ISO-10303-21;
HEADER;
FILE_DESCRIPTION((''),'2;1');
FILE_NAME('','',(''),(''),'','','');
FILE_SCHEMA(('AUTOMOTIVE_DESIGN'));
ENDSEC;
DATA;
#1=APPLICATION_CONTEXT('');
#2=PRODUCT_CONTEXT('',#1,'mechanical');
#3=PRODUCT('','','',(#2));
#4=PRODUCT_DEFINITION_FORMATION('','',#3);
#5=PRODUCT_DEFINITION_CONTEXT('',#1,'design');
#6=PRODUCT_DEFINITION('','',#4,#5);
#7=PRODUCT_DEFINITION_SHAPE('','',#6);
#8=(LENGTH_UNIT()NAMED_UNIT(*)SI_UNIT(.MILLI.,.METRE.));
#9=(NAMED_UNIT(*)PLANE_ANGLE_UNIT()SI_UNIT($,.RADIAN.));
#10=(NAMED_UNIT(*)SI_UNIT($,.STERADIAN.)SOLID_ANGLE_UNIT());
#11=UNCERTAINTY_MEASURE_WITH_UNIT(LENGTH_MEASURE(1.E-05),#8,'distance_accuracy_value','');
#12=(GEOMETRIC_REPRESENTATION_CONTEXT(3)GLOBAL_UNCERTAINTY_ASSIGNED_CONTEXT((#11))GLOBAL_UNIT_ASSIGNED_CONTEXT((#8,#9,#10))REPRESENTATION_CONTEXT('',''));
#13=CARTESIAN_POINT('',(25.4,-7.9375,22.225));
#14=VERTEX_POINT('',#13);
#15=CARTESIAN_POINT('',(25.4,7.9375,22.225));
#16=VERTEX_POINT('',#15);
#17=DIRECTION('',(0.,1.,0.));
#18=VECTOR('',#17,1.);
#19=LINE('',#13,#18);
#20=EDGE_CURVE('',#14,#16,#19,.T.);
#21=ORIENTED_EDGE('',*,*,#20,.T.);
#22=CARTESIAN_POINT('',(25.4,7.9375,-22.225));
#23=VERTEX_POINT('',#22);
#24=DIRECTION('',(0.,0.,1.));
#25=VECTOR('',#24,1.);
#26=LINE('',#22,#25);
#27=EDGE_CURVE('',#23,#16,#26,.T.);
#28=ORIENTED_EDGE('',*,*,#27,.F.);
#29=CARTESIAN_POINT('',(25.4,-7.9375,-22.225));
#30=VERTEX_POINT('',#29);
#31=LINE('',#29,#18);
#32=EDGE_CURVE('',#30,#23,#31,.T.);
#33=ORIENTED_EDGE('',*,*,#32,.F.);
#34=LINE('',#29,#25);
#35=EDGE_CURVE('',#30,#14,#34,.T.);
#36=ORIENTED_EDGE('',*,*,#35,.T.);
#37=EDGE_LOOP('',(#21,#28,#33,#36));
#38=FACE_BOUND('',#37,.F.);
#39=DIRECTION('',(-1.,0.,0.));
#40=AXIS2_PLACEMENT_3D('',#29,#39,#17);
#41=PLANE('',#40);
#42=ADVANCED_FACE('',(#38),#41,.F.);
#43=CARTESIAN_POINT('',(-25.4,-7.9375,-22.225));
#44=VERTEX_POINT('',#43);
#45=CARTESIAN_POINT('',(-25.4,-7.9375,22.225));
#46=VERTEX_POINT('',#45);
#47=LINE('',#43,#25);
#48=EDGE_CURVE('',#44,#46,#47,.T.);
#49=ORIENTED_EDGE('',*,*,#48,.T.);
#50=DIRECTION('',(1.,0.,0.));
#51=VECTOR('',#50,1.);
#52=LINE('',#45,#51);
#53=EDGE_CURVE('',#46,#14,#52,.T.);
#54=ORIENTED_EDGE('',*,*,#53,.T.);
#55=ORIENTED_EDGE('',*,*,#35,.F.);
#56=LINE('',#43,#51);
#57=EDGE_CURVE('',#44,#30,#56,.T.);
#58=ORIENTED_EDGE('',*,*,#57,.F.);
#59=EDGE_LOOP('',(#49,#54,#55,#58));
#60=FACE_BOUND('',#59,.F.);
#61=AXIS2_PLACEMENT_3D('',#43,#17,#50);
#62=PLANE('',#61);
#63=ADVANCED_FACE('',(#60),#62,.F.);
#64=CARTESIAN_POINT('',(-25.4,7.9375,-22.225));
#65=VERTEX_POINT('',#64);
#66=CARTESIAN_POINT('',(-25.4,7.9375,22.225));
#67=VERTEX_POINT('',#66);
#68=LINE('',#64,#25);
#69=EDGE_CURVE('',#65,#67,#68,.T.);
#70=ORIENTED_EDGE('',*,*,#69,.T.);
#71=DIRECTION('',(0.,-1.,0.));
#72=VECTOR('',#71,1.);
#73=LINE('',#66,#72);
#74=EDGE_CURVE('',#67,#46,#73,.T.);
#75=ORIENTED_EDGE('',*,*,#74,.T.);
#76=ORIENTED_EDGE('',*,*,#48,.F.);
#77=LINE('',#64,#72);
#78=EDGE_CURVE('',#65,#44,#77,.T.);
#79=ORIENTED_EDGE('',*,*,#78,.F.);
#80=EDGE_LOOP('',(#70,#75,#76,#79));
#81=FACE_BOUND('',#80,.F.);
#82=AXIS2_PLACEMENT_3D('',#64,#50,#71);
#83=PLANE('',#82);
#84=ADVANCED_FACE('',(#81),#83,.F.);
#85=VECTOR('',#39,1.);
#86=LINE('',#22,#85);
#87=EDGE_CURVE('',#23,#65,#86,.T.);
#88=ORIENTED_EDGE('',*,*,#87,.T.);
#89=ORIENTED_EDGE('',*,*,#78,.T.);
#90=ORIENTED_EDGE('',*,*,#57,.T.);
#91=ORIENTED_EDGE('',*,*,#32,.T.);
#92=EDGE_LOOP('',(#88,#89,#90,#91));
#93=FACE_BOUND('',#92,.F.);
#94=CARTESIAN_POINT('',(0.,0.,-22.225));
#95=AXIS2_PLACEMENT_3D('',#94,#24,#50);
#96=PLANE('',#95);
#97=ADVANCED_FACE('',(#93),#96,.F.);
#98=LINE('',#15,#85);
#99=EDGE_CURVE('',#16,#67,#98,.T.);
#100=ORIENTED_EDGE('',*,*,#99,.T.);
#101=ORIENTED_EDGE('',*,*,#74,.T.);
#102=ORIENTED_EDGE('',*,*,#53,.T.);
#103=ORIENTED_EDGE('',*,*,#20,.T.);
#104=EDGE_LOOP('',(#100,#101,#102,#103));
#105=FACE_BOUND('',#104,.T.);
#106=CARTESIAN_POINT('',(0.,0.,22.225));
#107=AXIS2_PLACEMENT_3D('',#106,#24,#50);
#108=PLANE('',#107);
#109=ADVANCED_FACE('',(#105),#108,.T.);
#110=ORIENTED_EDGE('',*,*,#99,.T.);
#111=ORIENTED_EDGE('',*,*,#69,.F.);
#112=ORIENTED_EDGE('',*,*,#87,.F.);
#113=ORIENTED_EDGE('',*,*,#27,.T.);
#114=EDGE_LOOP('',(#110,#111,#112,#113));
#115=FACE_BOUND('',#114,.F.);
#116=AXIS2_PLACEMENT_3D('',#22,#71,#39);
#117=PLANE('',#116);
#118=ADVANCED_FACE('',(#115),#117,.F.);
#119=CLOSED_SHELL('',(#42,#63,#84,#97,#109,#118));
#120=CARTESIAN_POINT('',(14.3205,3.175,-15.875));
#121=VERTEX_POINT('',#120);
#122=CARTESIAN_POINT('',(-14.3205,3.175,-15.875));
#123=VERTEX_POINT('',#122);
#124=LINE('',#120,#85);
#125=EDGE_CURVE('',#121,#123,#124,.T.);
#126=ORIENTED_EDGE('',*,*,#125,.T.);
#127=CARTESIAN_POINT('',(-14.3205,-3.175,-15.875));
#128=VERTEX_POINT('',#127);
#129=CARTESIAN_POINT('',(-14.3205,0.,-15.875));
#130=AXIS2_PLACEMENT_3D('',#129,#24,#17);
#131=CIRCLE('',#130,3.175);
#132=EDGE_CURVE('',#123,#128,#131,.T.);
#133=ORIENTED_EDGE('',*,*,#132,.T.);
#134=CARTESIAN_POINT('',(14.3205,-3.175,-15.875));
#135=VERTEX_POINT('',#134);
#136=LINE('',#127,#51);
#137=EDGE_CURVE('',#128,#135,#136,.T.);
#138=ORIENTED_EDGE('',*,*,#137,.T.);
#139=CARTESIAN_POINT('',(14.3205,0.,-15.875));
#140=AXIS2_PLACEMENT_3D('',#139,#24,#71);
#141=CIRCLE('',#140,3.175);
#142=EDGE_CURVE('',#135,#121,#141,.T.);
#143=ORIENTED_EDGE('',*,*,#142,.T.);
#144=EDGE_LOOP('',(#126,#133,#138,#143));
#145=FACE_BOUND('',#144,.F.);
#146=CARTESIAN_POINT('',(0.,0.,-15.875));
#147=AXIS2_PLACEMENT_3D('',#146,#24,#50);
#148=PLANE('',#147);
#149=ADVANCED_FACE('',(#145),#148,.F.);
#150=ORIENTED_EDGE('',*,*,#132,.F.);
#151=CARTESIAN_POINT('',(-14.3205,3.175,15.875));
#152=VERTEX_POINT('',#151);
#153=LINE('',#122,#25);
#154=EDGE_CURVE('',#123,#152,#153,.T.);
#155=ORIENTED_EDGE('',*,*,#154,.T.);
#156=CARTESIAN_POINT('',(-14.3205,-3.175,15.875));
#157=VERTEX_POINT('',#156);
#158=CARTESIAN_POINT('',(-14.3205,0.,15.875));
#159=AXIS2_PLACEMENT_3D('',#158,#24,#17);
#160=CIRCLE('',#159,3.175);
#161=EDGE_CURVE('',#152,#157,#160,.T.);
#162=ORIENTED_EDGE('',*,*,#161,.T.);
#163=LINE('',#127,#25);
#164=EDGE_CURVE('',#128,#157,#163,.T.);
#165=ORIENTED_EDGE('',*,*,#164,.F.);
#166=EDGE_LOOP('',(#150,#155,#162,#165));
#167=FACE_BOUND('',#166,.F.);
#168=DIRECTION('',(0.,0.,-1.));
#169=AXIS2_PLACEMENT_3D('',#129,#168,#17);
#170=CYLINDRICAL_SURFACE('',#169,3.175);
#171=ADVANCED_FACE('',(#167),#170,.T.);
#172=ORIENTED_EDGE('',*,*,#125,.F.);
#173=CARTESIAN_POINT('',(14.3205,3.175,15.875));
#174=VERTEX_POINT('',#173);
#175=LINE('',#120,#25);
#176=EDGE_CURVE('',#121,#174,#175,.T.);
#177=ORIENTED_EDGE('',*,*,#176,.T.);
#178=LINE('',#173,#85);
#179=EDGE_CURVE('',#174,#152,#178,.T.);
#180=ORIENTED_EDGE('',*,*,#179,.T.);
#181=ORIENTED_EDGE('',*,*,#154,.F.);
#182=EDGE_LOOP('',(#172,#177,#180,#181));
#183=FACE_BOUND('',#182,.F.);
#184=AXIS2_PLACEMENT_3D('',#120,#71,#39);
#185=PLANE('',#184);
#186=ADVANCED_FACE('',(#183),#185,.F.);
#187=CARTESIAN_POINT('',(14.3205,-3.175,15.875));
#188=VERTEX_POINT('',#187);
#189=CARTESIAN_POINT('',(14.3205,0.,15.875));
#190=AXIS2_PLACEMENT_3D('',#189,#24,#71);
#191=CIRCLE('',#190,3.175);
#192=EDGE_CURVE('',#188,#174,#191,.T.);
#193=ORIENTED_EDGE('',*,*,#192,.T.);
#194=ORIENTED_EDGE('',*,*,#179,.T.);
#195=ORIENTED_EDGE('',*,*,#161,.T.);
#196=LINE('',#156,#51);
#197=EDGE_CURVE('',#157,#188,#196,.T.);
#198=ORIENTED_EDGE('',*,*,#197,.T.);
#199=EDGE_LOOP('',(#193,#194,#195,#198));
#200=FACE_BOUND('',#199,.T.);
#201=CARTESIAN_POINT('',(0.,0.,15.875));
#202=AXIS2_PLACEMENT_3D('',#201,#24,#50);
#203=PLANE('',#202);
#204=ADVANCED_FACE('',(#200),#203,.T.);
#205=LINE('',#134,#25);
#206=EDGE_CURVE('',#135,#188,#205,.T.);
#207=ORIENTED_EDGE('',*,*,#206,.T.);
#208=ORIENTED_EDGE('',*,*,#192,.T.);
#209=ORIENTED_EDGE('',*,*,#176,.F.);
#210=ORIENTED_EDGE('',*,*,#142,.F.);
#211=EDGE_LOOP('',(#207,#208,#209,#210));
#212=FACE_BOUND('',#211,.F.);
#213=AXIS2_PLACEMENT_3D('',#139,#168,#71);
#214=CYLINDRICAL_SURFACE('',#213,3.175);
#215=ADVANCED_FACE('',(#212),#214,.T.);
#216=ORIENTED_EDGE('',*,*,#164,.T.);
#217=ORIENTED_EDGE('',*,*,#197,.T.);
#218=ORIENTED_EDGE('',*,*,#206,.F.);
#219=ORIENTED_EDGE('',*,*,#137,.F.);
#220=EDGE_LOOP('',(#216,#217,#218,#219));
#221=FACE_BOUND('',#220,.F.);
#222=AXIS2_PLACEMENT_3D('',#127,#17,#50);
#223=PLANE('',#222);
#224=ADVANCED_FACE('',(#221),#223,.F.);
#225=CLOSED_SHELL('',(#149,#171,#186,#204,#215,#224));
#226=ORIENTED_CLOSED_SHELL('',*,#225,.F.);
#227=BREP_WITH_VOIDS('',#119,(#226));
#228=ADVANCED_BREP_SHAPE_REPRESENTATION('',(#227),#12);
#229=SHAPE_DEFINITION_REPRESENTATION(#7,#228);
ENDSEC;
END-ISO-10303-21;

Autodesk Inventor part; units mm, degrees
ref_plane "YZ Plane" through (0, 0, 0) normal (1, 0, 0) x (0, 1, 0)
ref_plane "XZ Plane" through (0, 0, 0) normal (0, 1, 0) x (-1, 0, 0)
ref_plane "XY Plane" through (0, 0, 0) normal (0, 0, 1) x (1, 0, 0)
sketch "Sketch1" plane through (0, 0, -15.875) normal (0, 0, 1) x (1, 0, 0)
  line L0 (-14.3205, -3.175) -> (14.3205, -3.175)
  arc A0 (14.3205, -3.175) -> (14.3205, 3.175) centre (14.3205, 0) ccw
  line L1 (14.3205, 3.175) -> (-14.3205, 3.175)
  arc A1 (-14.3205, 3.175) -> (-14.3205, -3.175) centre (-14.3205, 0) ccw
  line L2 (-14.3205, -3.175) -> (-14.3205, -3.175)
sketch "Sketch2" plane through (0, 0, -22.225) normal (0, 0, 1) x (1, 0, 0)
  line L0 (-25.4, -7.9375) -> (25.4, -7.9375)
  line L1 (25.4, -7.9375) -> (25.4, 7.9375)
  line L2 (25.4, 7.9375) -> (-25.4, 7.9375)
  line L3 (-25.4, 7.9375) -> (-25.4, -7.9375)
  line L4 (-25.4, -7.9375) -> (25.4, 7.9375) construction
  line L5 (25.4, -7.9375) -> (-25.4, 7.9375) construction
  point P0 (0, 0)
extrude "Extrusion1" add sketch "Sketch2" along normal blind 44.45
extrude "Extrusion2" cut sketch "Sketch1" along normal blind 31.75
properties part number "00000_Single_Mode_Rect"
